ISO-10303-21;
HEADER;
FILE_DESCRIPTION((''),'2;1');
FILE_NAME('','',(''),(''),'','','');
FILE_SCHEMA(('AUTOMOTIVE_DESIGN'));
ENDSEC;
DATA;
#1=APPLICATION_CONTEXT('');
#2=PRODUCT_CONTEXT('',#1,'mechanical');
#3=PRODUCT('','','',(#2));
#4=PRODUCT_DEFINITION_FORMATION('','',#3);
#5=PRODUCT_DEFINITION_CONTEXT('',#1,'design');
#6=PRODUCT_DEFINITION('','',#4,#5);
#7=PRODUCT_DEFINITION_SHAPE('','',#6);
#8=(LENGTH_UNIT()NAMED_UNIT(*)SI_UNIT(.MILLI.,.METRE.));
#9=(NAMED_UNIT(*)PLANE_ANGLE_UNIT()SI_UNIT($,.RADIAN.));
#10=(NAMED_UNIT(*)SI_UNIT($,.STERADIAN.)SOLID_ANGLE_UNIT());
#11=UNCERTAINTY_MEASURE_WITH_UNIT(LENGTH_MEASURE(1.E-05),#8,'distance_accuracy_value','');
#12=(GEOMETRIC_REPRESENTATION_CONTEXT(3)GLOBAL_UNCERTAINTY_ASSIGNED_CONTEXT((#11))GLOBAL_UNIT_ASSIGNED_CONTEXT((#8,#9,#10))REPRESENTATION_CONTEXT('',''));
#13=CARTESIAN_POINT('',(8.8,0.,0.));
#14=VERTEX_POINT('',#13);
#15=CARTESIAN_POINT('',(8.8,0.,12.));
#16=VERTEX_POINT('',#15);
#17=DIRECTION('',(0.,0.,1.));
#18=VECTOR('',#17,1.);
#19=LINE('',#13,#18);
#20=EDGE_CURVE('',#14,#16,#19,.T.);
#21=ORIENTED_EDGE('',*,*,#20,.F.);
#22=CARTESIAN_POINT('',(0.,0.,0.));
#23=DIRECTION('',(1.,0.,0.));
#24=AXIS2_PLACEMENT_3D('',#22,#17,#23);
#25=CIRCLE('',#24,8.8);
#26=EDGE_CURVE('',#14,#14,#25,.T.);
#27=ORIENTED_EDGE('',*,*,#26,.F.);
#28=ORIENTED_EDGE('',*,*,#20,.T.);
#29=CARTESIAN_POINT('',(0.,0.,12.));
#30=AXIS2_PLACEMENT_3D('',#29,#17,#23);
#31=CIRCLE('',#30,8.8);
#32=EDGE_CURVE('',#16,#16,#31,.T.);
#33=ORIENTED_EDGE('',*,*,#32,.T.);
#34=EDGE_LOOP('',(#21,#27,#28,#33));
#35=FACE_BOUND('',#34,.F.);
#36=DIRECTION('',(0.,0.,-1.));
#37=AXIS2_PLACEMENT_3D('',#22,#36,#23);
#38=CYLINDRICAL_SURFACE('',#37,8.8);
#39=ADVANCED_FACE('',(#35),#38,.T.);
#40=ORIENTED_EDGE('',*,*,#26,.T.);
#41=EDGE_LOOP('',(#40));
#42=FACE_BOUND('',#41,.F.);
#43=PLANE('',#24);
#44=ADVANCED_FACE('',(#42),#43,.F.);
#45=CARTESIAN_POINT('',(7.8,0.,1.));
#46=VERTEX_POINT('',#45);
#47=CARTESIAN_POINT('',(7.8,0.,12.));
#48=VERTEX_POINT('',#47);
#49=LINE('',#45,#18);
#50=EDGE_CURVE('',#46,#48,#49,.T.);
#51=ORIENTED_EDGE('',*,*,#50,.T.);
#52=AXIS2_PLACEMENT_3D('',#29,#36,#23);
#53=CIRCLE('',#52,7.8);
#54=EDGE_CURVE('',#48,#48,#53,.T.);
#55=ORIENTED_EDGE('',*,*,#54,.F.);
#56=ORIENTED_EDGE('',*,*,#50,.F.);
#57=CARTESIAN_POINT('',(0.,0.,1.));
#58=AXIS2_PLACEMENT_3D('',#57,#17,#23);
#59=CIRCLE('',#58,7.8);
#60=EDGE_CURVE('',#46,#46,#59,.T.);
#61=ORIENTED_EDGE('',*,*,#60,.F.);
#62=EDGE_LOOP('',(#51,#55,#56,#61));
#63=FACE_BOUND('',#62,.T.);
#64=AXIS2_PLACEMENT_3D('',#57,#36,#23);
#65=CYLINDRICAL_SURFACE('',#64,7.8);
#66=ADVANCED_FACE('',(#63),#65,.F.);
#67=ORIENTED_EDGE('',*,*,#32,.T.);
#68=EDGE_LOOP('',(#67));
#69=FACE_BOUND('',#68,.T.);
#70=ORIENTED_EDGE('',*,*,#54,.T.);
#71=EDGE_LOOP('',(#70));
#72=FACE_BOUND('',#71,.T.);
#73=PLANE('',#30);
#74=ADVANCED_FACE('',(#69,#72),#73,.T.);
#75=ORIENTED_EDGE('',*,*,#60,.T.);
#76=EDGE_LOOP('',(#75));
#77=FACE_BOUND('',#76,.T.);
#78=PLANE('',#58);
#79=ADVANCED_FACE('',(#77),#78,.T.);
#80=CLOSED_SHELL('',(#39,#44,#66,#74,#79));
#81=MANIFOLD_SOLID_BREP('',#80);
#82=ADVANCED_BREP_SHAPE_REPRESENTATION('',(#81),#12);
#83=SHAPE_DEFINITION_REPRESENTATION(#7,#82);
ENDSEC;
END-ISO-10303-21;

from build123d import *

# Parameters (mm, degrees)
CYLINDER002_R     = 7.8
CYLINDER002_DEPTH = 12
CYLINDER003_R     = 8.8
CYLINDER003_DEPTH = 12


with BuildPart() as cylinder002:
    # Cylinder002 → Cylinder002 (new body)
    with BuildSketch(Plane.XY.offset(1)):
        Circle(CYLINDER002_R)
    extrude(amount=CYLINDER002_DEPTH)


with BuildPart() as cut:
    # Cylinder003 → Cylinder003 (new body)
    with BuildSketch(Plane.XY):
        Circle(CYLINDER003_R)
    extrude(amount=CYLINDER003_DEPTH)

    # Cut: cut Cylinder002
    add(cylinder002.part, mode=Mode.SUBTRACT)


solid = cut.part
